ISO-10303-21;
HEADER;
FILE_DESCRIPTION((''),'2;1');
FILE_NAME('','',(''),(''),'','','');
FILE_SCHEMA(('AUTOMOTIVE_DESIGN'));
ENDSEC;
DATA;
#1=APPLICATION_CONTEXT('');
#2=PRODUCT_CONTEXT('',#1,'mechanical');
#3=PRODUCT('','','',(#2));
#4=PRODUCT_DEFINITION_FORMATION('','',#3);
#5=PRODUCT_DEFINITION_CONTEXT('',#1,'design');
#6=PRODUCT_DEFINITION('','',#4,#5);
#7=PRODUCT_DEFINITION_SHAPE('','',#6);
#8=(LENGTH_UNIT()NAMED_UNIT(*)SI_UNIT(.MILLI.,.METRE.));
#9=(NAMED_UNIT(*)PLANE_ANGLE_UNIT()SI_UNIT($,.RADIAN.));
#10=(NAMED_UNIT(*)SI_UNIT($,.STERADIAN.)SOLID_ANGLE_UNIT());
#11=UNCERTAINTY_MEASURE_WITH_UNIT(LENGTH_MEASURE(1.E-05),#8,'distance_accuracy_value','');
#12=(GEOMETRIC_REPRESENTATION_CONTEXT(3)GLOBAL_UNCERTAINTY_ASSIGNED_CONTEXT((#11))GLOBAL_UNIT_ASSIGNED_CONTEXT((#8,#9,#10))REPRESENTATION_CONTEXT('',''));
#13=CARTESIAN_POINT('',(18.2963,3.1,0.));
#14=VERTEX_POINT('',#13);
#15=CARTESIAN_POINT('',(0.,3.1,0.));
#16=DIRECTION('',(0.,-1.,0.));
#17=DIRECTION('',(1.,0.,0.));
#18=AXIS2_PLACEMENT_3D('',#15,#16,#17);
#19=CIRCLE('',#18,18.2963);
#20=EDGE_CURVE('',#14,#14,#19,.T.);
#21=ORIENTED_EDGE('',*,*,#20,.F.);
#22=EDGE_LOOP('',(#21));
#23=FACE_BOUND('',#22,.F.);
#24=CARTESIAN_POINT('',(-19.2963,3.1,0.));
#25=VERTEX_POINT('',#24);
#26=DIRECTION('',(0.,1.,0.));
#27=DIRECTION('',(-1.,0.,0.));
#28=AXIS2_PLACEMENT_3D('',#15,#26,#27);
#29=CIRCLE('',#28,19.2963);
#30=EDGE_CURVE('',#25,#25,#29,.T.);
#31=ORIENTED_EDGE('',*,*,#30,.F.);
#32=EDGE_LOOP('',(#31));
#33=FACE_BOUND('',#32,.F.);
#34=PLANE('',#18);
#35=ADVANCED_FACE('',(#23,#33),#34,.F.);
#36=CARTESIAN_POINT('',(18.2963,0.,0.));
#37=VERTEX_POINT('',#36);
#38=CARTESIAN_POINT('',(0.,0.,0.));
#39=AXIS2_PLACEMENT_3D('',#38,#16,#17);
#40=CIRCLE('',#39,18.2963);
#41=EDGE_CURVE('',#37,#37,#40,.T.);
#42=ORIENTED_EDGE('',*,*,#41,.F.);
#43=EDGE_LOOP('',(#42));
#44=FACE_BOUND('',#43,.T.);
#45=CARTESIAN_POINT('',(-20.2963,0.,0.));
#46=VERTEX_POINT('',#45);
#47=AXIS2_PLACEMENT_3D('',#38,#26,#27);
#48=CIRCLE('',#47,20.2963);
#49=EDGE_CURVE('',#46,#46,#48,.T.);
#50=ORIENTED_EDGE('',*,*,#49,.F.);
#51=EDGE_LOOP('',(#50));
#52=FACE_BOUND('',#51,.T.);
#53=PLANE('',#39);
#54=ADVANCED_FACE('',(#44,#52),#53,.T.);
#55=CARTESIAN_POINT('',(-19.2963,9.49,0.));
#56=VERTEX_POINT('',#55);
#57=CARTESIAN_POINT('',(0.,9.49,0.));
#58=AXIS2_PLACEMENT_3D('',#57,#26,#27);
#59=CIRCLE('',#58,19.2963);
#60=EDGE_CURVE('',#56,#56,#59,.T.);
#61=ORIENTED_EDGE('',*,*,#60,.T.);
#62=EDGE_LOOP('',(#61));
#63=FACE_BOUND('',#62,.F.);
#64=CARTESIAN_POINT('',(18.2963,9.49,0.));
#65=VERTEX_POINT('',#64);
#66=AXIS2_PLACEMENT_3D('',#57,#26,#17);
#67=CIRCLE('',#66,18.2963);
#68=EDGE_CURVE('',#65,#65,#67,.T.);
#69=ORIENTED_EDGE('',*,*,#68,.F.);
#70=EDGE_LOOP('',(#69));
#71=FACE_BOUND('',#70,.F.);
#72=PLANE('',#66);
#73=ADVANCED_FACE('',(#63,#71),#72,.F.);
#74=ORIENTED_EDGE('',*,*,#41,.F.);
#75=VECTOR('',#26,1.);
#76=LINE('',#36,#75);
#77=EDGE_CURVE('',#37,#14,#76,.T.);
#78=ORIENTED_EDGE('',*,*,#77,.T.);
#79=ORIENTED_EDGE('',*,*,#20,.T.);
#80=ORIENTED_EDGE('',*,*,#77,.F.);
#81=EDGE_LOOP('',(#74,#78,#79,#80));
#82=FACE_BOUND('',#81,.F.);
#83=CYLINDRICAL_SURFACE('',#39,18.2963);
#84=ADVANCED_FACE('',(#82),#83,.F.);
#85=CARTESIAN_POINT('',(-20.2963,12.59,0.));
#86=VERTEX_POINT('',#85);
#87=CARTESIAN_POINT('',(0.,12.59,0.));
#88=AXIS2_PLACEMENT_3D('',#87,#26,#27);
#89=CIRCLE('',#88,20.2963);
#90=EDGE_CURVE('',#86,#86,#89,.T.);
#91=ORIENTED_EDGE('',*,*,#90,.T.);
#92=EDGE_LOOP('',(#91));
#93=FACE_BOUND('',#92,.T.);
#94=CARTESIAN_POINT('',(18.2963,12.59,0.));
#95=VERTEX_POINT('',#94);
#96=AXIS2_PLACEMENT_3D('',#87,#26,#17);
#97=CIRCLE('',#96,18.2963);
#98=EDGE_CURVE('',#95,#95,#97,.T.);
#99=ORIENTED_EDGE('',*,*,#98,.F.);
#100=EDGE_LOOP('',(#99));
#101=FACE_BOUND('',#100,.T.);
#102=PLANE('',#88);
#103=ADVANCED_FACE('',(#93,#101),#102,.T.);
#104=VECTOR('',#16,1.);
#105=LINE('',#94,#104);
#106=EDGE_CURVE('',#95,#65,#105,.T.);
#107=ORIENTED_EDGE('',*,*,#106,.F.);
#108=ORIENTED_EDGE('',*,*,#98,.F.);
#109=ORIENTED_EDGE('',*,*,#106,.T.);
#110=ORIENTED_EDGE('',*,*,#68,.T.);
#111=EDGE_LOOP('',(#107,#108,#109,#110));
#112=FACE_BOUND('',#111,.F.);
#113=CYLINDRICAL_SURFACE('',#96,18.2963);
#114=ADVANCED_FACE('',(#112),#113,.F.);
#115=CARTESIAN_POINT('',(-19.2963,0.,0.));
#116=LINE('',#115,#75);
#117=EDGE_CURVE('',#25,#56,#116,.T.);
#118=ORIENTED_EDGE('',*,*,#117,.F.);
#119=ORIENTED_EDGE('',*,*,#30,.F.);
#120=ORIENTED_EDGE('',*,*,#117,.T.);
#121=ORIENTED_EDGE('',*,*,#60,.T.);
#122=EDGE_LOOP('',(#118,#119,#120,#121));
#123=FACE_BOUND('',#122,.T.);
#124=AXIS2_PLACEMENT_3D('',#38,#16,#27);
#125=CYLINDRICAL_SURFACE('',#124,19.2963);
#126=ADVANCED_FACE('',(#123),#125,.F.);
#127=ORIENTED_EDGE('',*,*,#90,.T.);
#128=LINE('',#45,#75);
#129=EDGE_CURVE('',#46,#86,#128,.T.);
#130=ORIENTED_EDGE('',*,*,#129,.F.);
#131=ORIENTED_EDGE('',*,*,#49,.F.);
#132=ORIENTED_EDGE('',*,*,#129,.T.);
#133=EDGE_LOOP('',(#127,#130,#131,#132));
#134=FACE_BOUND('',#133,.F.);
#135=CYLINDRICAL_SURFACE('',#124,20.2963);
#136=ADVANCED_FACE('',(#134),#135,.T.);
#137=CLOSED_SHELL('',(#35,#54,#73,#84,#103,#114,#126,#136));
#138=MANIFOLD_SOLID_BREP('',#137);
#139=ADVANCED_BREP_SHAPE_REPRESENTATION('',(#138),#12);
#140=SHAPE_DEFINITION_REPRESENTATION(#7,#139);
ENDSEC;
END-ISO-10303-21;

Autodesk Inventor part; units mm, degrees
ref_plane "YZ Plane" through (0, 0, 0) normal (1, 0, 0) x (0, 1, 0)
ref_plane "XZ Plane" through (0, 0, 0) normal (0, 1, 0) x (-1, 0, 0)
ref_plane "XY Plane" through (0, 0, 0) normal (0, 0, 1) x (1, 0, 0)
sketch "Sketch1" plane through (0, 0, 0) normal (0, 1, 0) x (-1, 0, 0)
  circle A0 centre (0, 0) radius 19.2963
  circle A1 centre (0, 0) radius 20.2963
  dimension "d0" = 38.5926
  dimension "d7" = 40.5926
extrude "Extrusion2" add sketch "Sketch1" along normal blind 12.59
sketch "Sketch2" plane through (0, 12.59, 0) normal (0, 1, 0) x (1, 0, 0)
  circle A0 centre (0, 0) radius 19.2963
  circle A1 centre (0, 0) radius 18.2963
  dimension "d12" = 38.5926
  dimension "d13" = 36.5926
extrude "Extrusion3" add sketch "Sketch2" against normal blind 3.1
sketch "Sketch3" plane through (0, 0, 0) normal (0, -1, 0) x (1, 0, 0)
  circle A0 centre (0, 0) radius 19.2963
  circle A1 centre (0, 0) radius 18.2963
  dimension "d16" = 38.5926
  dimension "d17" = 36.5926
extrude "Extrusion4" add sketch "Sketch3" against normal blind 3.1
equation "\"d7\" = -2 * WoodThickness + 2 * d176 - 2 * d125"
equation "\"d12\" = d0"
equation "\"d16\" = d0"
equation "\"WoodThickness\" = 6.39"
equation "\"BearingHolderHeight\" = 13.1"
equation "\"d176\" = 34.539"
equation "\"d125\" = 7.852683"
properties part number "CouplingHead_Silicone" material "UHMW, White"
